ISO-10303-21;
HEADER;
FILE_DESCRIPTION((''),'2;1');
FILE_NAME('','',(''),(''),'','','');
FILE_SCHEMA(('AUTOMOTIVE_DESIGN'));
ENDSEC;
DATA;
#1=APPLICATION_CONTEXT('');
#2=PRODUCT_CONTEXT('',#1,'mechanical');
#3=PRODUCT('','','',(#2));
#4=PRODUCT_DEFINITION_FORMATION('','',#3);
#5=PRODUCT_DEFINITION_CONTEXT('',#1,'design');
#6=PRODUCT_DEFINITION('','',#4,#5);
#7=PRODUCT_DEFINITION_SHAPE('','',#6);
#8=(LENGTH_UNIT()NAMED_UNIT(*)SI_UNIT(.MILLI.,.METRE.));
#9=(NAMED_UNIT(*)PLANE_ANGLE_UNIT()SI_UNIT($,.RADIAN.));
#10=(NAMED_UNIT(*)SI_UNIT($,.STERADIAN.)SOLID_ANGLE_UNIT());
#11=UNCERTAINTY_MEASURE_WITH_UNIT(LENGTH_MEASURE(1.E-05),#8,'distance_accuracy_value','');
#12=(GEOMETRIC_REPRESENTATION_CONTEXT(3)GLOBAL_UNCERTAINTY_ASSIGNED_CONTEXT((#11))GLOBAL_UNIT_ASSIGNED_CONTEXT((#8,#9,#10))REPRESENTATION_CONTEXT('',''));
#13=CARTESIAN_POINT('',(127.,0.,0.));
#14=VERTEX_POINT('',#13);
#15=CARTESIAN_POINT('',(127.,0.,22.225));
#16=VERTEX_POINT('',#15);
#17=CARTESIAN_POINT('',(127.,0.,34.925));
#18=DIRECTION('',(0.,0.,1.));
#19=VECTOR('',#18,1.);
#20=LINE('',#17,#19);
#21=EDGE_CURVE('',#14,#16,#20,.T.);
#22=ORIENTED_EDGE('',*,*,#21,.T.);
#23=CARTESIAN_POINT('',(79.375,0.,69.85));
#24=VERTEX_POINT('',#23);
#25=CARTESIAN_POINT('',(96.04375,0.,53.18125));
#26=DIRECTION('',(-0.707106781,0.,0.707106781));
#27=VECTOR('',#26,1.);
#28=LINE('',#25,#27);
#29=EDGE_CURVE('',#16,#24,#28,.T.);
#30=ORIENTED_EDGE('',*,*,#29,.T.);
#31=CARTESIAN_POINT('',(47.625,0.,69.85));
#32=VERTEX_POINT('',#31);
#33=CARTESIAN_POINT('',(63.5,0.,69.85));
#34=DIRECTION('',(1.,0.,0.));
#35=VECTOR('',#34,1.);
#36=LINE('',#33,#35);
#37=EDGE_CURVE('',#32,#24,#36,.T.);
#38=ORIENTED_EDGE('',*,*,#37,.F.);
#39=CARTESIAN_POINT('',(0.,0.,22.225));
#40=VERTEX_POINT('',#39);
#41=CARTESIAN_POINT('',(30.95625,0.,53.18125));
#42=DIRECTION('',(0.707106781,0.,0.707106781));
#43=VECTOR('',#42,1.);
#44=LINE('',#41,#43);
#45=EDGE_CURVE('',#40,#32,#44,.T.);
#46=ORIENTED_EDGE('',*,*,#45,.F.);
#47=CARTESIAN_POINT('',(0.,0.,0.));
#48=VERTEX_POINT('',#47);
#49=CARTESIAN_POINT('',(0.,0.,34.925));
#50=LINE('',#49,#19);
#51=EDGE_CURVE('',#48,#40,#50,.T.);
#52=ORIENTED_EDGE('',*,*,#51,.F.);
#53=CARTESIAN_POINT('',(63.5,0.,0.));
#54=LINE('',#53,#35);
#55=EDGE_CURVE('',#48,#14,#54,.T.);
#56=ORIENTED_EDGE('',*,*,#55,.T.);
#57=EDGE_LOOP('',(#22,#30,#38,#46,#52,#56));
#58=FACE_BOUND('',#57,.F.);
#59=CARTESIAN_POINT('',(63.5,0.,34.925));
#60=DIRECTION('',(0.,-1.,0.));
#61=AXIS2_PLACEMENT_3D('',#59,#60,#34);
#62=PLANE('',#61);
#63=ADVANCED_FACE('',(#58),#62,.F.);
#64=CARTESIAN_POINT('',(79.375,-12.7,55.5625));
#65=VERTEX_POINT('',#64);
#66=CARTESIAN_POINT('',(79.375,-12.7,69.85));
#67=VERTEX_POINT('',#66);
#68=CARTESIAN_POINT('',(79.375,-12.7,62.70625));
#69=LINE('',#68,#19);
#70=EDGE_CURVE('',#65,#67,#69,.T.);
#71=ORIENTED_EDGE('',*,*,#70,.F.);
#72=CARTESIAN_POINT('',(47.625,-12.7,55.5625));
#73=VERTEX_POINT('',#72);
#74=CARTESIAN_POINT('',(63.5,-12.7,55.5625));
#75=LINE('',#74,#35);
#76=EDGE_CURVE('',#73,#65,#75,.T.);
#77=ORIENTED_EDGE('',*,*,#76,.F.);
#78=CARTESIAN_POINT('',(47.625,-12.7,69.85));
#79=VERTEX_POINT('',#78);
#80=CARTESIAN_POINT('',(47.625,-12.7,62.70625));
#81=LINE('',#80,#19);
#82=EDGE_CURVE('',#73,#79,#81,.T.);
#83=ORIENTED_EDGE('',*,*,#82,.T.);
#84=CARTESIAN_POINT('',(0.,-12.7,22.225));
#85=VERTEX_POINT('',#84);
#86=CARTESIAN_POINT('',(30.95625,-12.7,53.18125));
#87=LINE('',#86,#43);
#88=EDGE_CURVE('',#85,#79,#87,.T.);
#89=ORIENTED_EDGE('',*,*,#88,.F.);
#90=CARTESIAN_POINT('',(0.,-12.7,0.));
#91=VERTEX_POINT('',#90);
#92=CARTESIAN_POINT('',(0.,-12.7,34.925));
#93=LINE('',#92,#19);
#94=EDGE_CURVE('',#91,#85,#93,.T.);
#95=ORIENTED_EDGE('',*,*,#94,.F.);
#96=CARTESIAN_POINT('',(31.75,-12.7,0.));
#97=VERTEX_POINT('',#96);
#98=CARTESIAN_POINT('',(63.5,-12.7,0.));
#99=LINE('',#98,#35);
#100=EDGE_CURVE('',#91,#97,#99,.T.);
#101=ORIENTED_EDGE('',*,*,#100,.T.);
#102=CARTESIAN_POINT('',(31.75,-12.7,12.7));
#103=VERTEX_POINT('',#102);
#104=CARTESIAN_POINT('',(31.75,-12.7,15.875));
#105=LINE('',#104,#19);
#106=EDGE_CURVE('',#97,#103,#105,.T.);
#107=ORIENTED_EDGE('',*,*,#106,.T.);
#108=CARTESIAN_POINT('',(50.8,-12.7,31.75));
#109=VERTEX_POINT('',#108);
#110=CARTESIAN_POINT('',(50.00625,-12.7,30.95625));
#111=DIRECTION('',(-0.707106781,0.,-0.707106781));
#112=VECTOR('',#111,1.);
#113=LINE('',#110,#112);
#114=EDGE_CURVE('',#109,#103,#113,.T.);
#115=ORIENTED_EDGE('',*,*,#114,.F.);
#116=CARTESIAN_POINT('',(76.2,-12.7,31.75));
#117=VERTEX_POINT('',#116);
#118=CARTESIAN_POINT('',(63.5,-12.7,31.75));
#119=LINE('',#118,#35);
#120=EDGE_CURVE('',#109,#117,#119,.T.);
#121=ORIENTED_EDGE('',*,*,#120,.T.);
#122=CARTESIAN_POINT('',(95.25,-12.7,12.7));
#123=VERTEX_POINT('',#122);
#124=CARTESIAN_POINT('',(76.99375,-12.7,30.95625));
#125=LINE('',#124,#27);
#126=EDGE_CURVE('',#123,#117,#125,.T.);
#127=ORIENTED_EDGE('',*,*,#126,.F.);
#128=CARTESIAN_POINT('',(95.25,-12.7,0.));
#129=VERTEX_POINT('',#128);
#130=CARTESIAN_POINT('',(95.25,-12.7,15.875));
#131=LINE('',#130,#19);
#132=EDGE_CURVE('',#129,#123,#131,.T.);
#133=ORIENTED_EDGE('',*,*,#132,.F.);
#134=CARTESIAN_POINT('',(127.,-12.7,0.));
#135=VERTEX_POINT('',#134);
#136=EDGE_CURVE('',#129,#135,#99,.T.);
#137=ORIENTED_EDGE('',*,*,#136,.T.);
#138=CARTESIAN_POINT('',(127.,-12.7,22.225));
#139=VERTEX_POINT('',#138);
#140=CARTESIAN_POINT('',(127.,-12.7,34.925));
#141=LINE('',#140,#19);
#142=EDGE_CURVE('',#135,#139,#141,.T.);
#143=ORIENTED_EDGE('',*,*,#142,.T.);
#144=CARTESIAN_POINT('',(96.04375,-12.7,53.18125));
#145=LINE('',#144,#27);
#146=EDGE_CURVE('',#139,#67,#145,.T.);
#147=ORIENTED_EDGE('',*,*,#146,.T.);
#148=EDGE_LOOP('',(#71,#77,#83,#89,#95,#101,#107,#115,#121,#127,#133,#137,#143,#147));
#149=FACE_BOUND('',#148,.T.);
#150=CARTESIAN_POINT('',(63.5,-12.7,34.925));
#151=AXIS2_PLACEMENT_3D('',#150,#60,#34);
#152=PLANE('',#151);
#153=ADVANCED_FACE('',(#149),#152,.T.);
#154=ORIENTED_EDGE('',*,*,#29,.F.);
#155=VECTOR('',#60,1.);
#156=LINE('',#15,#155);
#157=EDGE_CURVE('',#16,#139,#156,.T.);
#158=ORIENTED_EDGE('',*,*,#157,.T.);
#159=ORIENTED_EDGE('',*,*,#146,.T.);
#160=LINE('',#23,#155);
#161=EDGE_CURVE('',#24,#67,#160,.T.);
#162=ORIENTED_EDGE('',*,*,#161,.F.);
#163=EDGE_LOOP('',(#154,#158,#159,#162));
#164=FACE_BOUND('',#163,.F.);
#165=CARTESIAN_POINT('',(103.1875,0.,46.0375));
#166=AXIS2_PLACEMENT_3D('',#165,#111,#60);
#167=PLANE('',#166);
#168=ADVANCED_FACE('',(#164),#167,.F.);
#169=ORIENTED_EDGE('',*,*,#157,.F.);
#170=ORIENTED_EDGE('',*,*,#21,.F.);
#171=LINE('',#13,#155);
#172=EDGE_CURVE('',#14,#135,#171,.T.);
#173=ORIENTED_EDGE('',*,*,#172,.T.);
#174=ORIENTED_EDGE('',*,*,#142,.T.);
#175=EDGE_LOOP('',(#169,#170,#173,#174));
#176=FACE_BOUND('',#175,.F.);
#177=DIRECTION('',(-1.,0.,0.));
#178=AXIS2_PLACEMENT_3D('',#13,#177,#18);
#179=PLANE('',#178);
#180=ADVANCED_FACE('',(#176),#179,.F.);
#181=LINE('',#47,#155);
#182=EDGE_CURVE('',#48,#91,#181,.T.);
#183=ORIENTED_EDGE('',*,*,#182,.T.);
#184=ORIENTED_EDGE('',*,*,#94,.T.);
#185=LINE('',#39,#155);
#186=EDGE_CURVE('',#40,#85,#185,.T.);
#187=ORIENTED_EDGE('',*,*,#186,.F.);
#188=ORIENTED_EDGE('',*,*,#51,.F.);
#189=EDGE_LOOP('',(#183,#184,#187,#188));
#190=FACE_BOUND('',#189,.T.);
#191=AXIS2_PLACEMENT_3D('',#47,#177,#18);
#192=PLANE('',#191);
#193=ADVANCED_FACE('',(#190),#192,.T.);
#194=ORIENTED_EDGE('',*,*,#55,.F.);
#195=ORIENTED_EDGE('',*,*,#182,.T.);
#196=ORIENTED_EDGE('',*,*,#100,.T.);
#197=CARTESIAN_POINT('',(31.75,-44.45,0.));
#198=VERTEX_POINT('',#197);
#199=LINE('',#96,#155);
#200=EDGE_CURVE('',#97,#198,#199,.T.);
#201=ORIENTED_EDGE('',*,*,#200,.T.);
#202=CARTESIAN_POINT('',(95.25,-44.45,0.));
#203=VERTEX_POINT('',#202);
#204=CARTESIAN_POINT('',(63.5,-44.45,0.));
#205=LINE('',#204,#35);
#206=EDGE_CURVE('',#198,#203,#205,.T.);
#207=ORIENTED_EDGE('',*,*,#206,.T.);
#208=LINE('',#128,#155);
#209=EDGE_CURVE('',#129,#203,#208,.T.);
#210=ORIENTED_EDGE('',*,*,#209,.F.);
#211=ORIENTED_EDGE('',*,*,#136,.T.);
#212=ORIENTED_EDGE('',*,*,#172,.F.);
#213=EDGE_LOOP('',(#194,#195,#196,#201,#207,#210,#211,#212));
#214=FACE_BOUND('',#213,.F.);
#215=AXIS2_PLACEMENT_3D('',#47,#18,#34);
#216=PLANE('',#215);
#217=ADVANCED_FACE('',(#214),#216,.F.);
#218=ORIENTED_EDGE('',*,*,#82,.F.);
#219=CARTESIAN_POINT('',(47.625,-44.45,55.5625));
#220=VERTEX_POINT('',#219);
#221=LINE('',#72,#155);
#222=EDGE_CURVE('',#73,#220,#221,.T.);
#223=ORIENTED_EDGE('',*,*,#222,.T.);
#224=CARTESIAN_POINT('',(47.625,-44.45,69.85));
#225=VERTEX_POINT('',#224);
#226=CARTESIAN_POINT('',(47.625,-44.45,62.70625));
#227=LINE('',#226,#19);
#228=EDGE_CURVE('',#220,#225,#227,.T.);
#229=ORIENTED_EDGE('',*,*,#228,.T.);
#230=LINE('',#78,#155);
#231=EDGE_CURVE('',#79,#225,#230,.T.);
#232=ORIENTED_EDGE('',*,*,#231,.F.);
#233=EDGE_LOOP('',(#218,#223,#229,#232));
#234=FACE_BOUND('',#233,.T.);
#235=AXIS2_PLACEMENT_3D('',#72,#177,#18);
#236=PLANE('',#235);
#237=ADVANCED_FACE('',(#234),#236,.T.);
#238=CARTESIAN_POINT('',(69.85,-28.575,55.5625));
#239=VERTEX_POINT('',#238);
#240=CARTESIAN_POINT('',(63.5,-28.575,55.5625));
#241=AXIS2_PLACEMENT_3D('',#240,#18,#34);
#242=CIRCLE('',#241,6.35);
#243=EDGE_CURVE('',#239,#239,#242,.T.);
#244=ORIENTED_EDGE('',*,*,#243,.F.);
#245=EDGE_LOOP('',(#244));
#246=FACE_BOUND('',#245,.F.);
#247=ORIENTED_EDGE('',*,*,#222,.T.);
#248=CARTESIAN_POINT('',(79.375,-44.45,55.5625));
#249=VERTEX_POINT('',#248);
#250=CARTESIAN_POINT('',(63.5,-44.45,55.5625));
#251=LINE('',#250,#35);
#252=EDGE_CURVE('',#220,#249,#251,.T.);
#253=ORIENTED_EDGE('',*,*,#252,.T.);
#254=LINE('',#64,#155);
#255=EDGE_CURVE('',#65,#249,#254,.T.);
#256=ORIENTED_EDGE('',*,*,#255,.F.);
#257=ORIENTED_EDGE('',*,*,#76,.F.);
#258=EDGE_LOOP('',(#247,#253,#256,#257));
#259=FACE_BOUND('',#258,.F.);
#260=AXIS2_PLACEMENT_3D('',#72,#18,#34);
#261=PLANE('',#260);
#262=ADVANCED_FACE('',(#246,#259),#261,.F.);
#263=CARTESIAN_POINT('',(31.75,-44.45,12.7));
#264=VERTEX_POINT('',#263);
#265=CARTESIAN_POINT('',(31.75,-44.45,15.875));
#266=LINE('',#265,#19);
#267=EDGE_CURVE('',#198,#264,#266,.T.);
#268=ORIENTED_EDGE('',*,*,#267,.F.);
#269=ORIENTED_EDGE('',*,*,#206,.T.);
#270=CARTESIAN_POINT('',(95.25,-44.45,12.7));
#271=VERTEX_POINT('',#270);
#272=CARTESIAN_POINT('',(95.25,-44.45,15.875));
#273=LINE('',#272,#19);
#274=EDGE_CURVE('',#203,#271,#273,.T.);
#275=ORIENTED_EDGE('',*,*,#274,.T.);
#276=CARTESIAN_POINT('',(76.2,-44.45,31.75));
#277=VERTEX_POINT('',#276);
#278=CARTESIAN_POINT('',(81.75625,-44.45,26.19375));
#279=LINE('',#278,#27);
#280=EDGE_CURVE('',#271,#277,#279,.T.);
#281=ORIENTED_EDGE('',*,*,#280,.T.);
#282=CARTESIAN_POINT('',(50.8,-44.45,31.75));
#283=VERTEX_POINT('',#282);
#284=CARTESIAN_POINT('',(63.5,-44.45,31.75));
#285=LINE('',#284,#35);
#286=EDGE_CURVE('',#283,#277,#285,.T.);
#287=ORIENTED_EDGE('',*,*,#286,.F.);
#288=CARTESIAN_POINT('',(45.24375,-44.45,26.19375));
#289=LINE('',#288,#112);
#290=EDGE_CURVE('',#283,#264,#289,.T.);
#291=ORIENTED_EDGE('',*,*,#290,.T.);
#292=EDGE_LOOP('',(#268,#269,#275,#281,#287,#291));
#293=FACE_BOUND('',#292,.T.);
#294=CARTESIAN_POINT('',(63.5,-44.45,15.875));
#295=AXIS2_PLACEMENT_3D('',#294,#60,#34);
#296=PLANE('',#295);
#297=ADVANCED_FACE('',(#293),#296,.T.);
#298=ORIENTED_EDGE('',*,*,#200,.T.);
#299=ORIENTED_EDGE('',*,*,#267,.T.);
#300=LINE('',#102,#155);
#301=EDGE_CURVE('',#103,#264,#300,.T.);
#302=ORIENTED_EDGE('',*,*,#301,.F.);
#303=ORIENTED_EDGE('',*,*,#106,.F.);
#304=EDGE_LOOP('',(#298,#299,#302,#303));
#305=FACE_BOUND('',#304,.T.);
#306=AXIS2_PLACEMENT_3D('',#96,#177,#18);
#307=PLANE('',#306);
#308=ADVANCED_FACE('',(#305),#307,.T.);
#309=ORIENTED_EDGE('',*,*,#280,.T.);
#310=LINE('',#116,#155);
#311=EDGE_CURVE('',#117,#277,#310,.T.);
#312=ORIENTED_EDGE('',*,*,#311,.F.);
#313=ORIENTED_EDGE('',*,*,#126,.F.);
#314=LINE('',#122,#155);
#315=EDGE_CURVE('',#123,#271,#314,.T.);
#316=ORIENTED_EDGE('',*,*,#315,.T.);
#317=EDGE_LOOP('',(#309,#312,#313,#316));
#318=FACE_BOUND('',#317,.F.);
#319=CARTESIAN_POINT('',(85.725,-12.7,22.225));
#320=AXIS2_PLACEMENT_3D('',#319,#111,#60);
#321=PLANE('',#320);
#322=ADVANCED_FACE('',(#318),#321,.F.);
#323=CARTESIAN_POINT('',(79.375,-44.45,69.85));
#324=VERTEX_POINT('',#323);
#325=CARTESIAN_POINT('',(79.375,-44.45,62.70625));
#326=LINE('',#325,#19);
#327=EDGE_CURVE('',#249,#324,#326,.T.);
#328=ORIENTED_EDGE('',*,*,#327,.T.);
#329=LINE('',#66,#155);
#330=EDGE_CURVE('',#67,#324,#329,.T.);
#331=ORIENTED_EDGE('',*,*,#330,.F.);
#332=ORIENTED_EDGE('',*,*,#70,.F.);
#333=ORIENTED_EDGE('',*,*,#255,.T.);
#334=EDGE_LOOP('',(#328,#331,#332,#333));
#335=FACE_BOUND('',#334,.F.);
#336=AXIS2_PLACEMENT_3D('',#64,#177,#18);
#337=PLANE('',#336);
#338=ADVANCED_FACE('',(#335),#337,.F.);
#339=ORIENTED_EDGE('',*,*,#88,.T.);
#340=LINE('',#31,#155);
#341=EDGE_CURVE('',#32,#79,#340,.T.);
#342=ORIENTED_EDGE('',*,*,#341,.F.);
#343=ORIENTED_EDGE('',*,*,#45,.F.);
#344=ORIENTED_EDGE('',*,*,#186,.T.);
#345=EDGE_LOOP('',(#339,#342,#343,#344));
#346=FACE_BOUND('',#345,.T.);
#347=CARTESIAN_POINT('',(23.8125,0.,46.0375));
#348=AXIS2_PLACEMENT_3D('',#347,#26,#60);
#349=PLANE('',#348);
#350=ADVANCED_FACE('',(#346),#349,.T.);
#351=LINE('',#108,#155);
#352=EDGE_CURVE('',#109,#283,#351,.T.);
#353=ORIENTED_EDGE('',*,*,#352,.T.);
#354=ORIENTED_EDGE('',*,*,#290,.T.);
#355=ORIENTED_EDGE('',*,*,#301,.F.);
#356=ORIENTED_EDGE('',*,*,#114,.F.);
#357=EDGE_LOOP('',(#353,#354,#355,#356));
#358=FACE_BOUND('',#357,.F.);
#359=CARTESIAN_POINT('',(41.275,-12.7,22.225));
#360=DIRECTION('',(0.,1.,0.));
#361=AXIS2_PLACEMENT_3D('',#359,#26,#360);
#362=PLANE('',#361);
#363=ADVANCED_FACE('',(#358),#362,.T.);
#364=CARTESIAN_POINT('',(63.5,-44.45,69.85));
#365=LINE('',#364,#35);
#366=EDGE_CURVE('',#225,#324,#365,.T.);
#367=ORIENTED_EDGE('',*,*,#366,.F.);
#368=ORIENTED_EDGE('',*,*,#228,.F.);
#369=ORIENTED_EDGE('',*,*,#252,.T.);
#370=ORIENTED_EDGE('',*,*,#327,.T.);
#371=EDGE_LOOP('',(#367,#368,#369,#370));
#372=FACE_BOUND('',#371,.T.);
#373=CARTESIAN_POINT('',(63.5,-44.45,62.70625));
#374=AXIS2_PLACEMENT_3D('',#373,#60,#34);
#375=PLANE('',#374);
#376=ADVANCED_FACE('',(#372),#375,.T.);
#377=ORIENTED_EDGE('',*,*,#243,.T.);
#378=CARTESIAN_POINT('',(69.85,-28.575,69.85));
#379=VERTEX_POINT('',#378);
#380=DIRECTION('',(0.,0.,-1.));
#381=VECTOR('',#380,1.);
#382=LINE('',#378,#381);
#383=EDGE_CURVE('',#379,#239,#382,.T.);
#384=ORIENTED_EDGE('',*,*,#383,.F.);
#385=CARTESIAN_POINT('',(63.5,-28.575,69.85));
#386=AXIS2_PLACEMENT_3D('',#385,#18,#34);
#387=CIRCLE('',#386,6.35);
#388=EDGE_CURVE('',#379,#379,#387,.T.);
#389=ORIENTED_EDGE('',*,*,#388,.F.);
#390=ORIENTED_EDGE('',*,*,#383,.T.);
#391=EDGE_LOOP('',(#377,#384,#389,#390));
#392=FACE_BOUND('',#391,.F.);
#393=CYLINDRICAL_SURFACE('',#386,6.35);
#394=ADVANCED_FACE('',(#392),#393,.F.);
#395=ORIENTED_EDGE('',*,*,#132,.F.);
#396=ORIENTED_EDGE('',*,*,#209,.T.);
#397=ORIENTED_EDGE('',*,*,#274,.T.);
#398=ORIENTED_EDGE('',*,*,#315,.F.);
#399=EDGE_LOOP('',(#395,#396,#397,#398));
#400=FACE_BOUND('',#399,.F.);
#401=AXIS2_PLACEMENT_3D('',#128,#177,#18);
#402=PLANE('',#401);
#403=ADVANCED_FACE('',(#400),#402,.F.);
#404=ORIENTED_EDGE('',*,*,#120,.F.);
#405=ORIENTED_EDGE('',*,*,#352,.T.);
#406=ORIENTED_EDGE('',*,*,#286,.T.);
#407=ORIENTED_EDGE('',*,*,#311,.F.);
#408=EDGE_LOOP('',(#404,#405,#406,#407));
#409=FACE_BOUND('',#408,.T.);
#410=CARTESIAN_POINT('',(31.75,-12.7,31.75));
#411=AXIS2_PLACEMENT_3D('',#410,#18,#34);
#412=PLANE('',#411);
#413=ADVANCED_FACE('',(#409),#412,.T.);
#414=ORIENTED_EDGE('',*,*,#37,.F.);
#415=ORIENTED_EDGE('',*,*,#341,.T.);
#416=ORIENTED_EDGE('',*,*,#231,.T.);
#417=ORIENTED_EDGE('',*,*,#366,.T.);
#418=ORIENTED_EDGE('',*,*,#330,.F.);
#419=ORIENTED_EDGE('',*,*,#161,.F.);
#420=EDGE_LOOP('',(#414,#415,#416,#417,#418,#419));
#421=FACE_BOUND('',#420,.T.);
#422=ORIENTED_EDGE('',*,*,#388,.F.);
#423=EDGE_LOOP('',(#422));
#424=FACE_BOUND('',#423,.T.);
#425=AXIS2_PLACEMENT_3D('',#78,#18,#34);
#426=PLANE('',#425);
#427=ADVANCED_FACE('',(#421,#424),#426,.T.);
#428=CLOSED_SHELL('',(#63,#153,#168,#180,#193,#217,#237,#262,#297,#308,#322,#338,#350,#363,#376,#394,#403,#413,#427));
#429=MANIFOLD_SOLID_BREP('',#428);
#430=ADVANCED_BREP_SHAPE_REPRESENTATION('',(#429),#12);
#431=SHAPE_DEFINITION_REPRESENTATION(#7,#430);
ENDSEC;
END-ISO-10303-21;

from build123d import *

# Parameters (mm, degrees)
F0_W     = 127
F0_H     = 69.85
F1_DEPTH = 12.7
F2_SIZE  = 47.625
F3_W     = 31.75
F3_H     = 14.2875
F3_W_2   = 63.5
F3_H_2   = 31.75
F4_DEPTH = 31.75
F5_SIZE  = 19.05
F6_R     = 6.35
F7_DEPTH = 14.2875


with BuildPart() as f1:
    # F0 (on Front) → F1 (new body)
    with BuildSketch(Plane.XZ):
        with Locations((63.5, 34.925)):
            Rectangle(F0_W, F0_H)
    extrude(amount=F1_DEPTH)

    # F2
    f2_edges = [f1.edges().sort_by_distance(p)[0] for p in [
        (0, -6.35, 69.85),
        (127, -6.35, 69.85),
    ]]
    chamfer(f2_edges, length=F2_SIZE)

    # F3 (on face) → F4 (join)
    with BuildSketch(Plane.XZ.offset(12.7)):
        with Locations((63.5, 62.70625)):
            Rectangle(F3_W, F3_H)
        with Locations((63.5, 15.875)):
            Rectangle(F3_W_2, F3_H_2)
    extrude(amount=F4_DEPTH)

    # F5
    f5_edges = [f1.edges().sort_by_distance(p)[0] for p in [
        (31.75, -28.575, 31.75),
        (95.25, -28.575, 31.75),
    ]]
    chamfer(f5_edges, length=F5_SIZE)

    # F6 (on face) → F7 (cut)
    with BuildSketch(Plane.XY.offset(69.85)):
        with Locations((63.5, -28.575)):
            Circle(F6_R)
    extrude(amount=-F7_DEPTH, mode=Mode.SUBTRACT)


solid = f1.part
